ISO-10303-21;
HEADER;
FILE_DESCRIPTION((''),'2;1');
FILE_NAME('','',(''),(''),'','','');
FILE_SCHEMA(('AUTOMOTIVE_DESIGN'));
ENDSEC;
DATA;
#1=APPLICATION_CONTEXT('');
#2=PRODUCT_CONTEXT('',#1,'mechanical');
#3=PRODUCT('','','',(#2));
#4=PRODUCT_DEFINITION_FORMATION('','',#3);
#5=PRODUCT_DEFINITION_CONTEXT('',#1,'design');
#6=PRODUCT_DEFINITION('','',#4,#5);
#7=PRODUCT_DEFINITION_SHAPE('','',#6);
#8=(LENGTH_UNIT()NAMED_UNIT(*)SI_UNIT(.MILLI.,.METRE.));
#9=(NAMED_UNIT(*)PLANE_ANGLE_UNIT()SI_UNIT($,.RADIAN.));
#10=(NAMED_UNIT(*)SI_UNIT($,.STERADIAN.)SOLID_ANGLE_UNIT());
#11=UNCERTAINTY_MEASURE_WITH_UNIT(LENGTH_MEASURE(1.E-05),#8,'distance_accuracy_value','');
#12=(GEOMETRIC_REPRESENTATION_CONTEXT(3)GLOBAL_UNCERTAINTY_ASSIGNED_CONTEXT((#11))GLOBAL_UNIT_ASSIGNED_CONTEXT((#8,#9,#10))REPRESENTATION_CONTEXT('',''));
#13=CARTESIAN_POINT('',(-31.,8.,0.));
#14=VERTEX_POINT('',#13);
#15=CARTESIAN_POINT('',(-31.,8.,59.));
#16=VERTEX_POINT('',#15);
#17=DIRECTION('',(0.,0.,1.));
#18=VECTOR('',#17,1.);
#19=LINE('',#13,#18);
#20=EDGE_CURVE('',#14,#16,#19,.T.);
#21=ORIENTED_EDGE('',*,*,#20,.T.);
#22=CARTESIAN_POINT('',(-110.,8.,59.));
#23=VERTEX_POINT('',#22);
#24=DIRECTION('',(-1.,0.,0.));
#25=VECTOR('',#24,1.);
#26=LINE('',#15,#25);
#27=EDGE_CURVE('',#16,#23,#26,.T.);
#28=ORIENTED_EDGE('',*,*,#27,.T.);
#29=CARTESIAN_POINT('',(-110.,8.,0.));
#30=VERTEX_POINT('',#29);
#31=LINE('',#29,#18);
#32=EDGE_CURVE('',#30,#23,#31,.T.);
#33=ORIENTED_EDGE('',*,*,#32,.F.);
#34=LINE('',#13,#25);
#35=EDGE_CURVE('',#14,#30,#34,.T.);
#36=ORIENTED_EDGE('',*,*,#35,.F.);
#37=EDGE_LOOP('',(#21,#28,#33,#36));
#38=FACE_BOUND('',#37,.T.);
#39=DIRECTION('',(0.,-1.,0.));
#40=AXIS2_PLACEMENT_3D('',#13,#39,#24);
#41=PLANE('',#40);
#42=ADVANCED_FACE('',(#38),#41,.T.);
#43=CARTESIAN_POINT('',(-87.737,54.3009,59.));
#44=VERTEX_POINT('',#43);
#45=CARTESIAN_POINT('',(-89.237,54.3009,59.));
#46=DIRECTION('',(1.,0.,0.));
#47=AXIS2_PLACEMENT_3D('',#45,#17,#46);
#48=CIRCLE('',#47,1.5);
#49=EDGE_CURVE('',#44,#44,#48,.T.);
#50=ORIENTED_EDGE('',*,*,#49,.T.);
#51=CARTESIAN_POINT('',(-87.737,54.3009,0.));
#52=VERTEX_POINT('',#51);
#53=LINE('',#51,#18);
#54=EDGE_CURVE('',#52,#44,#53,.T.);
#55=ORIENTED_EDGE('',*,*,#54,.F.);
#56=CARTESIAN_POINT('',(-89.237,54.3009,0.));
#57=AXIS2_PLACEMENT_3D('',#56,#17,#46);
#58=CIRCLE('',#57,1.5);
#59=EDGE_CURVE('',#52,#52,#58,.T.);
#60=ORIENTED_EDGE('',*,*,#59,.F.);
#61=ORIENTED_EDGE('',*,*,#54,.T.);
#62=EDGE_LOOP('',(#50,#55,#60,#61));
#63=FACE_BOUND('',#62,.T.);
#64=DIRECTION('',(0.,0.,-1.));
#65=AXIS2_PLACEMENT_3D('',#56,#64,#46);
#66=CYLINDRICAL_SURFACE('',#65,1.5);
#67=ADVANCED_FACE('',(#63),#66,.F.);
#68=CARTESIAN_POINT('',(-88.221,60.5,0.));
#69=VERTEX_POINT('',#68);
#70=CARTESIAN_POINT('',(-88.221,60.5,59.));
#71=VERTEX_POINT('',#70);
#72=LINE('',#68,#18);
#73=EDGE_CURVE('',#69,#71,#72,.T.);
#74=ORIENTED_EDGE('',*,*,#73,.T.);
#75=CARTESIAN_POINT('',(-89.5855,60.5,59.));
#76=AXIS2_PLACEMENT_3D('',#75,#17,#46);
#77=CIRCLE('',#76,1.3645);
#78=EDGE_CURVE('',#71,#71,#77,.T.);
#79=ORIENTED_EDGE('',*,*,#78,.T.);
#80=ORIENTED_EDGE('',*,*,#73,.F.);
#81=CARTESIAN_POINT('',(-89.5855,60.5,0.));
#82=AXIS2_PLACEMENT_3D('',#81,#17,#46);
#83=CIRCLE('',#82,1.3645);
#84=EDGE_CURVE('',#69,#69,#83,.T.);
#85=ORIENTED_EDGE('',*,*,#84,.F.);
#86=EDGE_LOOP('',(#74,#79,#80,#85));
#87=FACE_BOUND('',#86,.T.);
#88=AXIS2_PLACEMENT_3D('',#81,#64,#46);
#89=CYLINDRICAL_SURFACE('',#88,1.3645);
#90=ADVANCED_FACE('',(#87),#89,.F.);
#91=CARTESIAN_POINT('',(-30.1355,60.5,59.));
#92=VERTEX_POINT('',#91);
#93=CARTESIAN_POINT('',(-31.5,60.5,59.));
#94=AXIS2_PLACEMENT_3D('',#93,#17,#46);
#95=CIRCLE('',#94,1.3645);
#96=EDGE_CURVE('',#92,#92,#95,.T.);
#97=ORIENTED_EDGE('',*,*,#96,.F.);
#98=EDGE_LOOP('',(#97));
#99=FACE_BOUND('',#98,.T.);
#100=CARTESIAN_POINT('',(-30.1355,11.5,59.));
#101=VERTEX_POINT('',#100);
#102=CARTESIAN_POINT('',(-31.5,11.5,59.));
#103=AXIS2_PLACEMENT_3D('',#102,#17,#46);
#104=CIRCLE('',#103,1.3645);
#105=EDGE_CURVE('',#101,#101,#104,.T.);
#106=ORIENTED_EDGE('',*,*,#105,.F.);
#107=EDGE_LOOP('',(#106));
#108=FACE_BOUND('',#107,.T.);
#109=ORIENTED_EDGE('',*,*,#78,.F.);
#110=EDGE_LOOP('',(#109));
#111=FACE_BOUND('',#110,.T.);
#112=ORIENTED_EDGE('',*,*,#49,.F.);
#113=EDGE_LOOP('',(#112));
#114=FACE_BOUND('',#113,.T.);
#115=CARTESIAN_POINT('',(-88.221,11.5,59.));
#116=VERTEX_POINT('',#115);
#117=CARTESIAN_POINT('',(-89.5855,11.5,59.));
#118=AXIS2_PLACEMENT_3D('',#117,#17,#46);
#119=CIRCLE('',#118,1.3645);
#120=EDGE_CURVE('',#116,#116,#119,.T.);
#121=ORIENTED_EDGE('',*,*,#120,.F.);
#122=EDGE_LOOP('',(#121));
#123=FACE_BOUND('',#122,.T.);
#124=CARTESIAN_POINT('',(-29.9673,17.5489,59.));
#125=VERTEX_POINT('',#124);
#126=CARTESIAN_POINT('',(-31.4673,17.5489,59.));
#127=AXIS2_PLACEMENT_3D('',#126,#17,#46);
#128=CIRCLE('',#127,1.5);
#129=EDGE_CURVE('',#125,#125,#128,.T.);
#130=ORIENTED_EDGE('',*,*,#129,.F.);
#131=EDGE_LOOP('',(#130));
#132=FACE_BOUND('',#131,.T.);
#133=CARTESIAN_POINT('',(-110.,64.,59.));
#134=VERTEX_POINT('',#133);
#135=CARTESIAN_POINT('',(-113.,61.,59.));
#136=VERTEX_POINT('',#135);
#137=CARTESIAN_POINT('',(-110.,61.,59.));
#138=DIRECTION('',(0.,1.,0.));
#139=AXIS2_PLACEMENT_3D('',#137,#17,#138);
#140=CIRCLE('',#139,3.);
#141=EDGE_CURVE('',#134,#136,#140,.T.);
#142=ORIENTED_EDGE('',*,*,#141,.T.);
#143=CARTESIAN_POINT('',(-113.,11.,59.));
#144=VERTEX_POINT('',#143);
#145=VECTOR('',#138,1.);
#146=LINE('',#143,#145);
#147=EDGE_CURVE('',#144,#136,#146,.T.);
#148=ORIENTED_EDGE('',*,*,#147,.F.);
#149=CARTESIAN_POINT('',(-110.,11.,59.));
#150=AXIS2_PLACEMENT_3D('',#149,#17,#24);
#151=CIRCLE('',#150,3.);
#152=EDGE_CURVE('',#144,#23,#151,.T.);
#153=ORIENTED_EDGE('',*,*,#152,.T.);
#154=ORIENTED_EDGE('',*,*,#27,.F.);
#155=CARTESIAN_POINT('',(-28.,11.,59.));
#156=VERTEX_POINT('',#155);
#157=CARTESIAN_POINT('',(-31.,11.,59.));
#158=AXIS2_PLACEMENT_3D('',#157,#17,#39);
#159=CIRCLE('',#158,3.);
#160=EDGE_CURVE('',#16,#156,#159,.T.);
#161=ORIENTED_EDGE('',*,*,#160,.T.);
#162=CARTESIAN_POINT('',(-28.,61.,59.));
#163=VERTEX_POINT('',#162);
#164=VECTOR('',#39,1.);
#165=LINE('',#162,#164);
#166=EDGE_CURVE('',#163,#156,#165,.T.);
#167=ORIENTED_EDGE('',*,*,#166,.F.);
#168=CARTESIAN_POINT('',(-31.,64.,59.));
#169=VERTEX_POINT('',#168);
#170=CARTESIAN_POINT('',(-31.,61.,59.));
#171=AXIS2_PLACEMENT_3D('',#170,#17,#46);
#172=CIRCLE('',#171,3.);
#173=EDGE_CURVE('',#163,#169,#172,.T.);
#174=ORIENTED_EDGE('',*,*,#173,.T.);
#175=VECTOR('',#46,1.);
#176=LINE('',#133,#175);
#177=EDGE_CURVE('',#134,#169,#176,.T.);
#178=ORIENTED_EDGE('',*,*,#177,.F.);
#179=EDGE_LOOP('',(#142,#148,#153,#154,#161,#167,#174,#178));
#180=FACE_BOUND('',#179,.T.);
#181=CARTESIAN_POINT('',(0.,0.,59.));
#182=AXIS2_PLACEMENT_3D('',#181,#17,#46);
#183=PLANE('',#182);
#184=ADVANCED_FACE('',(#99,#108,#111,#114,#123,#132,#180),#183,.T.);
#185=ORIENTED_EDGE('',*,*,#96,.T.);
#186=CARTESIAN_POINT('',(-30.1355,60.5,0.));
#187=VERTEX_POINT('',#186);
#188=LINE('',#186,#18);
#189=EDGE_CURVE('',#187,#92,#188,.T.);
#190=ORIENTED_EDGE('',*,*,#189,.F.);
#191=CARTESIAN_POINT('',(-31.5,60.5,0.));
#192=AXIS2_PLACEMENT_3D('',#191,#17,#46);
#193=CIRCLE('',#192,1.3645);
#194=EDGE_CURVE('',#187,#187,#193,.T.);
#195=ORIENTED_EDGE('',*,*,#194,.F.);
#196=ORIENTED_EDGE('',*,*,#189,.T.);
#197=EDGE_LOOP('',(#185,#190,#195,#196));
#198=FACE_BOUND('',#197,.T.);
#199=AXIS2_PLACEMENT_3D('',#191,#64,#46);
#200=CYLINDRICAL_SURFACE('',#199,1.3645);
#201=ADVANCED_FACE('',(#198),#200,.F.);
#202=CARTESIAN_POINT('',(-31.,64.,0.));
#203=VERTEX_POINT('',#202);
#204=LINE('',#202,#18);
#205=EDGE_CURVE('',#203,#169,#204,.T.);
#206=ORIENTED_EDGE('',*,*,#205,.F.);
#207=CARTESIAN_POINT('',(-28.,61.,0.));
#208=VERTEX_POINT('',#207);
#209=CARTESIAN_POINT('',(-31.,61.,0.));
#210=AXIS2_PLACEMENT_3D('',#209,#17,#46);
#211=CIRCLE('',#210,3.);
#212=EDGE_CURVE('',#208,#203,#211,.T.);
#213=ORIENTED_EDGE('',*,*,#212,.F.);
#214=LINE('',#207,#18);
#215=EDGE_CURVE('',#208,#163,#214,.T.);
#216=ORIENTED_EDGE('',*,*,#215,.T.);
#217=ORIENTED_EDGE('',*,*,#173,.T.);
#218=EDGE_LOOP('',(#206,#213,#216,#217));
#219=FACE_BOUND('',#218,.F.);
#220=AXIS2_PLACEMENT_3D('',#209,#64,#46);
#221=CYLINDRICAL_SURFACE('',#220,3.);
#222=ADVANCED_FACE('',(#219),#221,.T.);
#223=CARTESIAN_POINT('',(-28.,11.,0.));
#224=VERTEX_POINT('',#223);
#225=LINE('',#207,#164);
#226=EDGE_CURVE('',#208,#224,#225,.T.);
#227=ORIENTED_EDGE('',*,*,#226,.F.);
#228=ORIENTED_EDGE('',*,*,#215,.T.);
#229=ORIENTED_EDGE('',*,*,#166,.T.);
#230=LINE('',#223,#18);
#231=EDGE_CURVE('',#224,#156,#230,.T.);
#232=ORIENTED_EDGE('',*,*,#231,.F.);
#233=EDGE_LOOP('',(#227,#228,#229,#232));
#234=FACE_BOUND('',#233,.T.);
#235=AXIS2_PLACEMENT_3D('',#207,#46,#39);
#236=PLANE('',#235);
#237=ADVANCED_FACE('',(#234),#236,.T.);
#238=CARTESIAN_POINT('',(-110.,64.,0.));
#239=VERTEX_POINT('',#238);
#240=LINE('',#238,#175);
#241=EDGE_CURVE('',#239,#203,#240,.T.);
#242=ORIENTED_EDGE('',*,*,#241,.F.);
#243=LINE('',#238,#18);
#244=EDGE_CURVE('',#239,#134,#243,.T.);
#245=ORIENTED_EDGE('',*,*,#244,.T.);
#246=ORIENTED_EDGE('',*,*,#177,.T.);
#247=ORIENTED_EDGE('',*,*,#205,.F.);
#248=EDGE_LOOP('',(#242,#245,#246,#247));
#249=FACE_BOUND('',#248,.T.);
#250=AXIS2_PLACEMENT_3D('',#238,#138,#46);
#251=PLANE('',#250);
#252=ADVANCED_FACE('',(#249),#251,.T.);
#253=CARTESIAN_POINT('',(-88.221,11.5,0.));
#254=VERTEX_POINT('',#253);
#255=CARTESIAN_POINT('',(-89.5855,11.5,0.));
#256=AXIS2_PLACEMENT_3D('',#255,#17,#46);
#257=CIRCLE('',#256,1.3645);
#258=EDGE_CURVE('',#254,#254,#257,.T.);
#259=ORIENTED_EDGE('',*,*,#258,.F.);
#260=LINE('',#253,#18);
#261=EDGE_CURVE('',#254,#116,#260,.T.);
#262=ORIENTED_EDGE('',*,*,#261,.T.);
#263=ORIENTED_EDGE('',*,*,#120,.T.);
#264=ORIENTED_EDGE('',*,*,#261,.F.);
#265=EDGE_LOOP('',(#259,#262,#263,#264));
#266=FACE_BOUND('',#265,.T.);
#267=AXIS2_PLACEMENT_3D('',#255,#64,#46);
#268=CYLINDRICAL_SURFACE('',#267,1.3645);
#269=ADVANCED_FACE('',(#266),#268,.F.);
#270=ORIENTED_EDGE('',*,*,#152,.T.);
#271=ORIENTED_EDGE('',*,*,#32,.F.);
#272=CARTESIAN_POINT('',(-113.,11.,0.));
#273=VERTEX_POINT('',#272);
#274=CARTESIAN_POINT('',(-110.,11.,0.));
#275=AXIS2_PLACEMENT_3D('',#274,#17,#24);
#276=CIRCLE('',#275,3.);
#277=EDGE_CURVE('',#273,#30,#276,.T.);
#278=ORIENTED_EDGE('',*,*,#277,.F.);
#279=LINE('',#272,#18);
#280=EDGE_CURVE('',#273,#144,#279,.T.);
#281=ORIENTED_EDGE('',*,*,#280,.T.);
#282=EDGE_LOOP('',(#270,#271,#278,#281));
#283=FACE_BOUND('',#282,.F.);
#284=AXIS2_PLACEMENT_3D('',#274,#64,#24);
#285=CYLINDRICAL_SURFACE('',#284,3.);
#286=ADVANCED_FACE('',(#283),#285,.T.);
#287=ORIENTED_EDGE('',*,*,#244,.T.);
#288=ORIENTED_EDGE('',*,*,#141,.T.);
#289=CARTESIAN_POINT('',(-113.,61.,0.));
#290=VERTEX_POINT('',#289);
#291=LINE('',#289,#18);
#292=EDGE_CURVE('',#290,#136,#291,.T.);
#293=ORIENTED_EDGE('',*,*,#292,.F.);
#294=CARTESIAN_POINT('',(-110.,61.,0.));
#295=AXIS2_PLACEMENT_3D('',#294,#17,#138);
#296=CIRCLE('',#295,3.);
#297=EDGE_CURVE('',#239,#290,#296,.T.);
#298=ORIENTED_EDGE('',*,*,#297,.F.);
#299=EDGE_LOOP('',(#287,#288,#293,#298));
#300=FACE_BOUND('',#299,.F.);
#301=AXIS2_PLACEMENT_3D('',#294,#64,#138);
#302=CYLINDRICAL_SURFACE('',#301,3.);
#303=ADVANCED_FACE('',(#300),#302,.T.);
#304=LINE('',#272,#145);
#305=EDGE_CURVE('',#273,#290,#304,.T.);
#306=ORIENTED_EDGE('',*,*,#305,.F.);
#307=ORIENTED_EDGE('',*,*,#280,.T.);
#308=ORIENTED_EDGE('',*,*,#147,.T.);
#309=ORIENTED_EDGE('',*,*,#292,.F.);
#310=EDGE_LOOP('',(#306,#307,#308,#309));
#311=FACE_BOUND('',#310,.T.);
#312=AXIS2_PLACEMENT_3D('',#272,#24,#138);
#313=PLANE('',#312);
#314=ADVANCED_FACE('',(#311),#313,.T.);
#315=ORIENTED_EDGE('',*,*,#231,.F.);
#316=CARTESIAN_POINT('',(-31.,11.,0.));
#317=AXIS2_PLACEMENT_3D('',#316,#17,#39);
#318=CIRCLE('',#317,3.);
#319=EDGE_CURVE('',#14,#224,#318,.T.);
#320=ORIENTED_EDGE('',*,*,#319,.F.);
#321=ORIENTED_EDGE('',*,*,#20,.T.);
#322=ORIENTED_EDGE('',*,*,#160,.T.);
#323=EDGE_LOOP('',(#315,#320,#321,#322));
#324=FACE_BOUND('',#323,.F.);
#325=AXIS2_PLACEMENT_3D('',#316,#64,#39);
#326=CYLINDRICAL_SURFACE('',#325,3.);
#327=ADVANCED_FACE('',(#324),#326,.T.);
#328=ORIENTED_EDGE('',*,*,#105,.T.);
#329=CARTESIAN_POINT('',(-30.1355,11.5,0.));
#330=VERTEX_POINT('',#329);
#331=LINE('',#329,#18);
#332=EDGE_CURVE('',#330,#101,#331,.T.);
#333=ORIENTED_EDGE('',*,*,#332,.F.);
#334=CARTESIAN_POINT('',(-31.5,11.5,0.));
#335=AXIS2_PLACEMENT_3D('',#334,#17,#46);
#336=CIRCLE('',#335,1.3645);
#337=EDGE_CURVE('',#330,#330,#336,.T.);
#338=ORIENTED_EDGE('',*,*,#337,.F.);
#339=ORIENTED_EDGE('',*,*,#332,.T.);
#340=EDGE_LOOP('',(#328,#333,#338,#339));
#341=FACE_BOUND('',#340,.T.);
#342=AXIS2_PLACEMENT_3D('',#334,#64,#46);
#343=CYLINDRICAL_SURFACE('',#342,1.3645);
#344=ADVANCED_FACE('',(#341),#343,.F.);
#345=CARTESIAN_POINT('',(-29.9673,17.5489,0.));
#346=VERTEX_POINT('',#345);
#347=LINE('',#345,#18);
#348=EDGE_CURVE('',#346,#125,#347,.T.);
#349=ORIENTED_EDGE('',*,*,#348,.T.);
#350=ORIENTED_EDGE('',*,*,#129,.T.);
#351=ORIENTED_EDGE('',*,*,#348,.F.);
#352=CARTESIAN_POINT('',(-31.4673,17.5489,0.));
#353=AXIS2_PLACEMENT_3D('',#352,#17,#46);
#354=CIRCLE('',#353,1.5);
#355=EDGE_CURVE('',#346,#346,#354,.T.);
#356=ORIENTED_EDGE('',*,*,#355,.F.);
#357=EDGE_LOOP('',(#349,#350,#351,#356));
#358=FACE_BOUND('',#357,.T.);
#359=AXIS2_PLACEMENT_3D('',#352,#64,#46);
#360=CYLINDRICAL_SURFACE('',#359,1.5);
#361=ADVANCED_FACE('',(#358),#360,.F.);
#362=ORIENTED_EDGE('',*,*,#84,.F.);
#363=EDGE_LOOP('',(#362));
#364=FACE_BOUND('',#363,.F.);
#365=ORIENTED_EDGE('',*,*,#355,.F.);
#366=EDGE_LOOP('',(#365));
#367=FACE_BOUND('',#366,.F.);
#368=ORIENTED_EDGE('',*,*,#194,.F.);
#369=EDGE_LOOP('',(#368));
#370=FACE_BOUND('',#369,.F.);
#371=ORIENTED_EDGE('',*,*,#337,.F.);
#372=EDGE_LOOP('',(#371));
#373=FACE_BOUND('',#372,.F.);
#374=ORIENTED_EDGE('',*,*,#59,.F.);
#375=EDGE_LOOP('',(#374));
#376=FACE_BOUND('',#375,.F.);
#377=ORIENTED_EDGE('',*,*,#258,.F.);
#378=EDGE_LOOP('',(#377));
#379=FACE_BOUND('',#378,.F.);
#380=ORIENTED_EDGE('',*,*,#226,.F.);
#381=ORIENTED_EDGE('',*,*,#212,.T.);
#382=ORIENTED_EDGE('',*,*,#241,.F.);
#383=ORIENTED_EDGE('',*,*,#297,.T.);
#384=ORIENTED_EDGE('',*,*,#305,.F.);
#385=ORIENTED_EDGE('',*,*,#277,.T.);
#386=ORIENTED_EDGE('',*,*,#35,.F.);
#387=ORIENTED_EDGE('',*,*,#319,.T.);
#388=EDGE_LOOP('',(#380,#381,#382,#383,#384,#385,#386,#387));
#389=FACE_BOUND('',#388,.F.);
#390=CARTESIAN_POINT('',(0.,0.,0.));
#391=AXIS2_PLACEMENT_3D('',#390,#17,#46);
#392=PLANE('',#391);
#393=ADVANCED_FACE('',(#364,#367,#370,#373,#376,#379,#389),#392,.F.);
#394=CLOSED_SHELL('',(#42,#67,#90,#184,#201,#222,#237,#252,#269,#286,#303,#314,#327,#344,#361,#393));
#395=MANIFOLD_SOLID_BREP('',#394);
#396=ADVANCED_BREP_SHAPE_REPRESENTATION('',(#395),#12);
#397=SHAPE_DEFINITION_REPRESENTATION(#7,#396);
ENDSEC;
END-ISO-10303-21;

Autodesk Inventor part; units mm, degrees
ref_plane "YZ Plane" through (0, 0, 0) normal (1, 0, 0) x (0, 1, 0)
ref_plane "XZ Plane" through (0, 0, 0) normal (0, 1, 0) x (-1, 0, 0)
ref_plane "XY Plane" through (0, 0, 0) normal (0, 0, 1) x (1, 0, 0)
sketch "Sketch1" plane through (0, 0, 0) normal (0, 0, 1) x (1, 0, 0)
  line L0 (-28, 61) -> (-28, 11) projected
  arc A0 (-28, 61) -> (-31, 64) centre (-31, 61) ccw projected
  line L1 (-110, 64) -> (-31, 64) projected
  arc A1 (-110, 64) -> (-113, 61) centre (-110, 61) ccw projected
  line L2 (-113, 11) -> (-113, 61) projected
  arc A2 (-113, 11) -> (-110, 8) centre (-110, 11) ccw projected
  line L3 (-31, 8) -> (-110, 8) projected
  arc A3 (-31, 8) -> (-28, 11) centre (-31, 11) ccw projected
  circle A4 centre (-89.5855, 11.5) radius 1.3645 projected
  circle A5 centre (-89.5855, 60.5) radius 1.3645 projected
  circle A6 centre (-31.5, 60.5) radius 1.3645 projected
  circle A7 centre (-31.5, 11.5) radius 1.3645 projected
  circle A8 centre (-31.4673, 17.5489) radius 1.5 projected
  circle A9 centre (-89.237, 54.3009) radius 1.5 projected
  point P0 (0, 0)
extrude "Extrusion1" add sketch "Sketch1" along normal blind 59
properties part number "UPSboard"
